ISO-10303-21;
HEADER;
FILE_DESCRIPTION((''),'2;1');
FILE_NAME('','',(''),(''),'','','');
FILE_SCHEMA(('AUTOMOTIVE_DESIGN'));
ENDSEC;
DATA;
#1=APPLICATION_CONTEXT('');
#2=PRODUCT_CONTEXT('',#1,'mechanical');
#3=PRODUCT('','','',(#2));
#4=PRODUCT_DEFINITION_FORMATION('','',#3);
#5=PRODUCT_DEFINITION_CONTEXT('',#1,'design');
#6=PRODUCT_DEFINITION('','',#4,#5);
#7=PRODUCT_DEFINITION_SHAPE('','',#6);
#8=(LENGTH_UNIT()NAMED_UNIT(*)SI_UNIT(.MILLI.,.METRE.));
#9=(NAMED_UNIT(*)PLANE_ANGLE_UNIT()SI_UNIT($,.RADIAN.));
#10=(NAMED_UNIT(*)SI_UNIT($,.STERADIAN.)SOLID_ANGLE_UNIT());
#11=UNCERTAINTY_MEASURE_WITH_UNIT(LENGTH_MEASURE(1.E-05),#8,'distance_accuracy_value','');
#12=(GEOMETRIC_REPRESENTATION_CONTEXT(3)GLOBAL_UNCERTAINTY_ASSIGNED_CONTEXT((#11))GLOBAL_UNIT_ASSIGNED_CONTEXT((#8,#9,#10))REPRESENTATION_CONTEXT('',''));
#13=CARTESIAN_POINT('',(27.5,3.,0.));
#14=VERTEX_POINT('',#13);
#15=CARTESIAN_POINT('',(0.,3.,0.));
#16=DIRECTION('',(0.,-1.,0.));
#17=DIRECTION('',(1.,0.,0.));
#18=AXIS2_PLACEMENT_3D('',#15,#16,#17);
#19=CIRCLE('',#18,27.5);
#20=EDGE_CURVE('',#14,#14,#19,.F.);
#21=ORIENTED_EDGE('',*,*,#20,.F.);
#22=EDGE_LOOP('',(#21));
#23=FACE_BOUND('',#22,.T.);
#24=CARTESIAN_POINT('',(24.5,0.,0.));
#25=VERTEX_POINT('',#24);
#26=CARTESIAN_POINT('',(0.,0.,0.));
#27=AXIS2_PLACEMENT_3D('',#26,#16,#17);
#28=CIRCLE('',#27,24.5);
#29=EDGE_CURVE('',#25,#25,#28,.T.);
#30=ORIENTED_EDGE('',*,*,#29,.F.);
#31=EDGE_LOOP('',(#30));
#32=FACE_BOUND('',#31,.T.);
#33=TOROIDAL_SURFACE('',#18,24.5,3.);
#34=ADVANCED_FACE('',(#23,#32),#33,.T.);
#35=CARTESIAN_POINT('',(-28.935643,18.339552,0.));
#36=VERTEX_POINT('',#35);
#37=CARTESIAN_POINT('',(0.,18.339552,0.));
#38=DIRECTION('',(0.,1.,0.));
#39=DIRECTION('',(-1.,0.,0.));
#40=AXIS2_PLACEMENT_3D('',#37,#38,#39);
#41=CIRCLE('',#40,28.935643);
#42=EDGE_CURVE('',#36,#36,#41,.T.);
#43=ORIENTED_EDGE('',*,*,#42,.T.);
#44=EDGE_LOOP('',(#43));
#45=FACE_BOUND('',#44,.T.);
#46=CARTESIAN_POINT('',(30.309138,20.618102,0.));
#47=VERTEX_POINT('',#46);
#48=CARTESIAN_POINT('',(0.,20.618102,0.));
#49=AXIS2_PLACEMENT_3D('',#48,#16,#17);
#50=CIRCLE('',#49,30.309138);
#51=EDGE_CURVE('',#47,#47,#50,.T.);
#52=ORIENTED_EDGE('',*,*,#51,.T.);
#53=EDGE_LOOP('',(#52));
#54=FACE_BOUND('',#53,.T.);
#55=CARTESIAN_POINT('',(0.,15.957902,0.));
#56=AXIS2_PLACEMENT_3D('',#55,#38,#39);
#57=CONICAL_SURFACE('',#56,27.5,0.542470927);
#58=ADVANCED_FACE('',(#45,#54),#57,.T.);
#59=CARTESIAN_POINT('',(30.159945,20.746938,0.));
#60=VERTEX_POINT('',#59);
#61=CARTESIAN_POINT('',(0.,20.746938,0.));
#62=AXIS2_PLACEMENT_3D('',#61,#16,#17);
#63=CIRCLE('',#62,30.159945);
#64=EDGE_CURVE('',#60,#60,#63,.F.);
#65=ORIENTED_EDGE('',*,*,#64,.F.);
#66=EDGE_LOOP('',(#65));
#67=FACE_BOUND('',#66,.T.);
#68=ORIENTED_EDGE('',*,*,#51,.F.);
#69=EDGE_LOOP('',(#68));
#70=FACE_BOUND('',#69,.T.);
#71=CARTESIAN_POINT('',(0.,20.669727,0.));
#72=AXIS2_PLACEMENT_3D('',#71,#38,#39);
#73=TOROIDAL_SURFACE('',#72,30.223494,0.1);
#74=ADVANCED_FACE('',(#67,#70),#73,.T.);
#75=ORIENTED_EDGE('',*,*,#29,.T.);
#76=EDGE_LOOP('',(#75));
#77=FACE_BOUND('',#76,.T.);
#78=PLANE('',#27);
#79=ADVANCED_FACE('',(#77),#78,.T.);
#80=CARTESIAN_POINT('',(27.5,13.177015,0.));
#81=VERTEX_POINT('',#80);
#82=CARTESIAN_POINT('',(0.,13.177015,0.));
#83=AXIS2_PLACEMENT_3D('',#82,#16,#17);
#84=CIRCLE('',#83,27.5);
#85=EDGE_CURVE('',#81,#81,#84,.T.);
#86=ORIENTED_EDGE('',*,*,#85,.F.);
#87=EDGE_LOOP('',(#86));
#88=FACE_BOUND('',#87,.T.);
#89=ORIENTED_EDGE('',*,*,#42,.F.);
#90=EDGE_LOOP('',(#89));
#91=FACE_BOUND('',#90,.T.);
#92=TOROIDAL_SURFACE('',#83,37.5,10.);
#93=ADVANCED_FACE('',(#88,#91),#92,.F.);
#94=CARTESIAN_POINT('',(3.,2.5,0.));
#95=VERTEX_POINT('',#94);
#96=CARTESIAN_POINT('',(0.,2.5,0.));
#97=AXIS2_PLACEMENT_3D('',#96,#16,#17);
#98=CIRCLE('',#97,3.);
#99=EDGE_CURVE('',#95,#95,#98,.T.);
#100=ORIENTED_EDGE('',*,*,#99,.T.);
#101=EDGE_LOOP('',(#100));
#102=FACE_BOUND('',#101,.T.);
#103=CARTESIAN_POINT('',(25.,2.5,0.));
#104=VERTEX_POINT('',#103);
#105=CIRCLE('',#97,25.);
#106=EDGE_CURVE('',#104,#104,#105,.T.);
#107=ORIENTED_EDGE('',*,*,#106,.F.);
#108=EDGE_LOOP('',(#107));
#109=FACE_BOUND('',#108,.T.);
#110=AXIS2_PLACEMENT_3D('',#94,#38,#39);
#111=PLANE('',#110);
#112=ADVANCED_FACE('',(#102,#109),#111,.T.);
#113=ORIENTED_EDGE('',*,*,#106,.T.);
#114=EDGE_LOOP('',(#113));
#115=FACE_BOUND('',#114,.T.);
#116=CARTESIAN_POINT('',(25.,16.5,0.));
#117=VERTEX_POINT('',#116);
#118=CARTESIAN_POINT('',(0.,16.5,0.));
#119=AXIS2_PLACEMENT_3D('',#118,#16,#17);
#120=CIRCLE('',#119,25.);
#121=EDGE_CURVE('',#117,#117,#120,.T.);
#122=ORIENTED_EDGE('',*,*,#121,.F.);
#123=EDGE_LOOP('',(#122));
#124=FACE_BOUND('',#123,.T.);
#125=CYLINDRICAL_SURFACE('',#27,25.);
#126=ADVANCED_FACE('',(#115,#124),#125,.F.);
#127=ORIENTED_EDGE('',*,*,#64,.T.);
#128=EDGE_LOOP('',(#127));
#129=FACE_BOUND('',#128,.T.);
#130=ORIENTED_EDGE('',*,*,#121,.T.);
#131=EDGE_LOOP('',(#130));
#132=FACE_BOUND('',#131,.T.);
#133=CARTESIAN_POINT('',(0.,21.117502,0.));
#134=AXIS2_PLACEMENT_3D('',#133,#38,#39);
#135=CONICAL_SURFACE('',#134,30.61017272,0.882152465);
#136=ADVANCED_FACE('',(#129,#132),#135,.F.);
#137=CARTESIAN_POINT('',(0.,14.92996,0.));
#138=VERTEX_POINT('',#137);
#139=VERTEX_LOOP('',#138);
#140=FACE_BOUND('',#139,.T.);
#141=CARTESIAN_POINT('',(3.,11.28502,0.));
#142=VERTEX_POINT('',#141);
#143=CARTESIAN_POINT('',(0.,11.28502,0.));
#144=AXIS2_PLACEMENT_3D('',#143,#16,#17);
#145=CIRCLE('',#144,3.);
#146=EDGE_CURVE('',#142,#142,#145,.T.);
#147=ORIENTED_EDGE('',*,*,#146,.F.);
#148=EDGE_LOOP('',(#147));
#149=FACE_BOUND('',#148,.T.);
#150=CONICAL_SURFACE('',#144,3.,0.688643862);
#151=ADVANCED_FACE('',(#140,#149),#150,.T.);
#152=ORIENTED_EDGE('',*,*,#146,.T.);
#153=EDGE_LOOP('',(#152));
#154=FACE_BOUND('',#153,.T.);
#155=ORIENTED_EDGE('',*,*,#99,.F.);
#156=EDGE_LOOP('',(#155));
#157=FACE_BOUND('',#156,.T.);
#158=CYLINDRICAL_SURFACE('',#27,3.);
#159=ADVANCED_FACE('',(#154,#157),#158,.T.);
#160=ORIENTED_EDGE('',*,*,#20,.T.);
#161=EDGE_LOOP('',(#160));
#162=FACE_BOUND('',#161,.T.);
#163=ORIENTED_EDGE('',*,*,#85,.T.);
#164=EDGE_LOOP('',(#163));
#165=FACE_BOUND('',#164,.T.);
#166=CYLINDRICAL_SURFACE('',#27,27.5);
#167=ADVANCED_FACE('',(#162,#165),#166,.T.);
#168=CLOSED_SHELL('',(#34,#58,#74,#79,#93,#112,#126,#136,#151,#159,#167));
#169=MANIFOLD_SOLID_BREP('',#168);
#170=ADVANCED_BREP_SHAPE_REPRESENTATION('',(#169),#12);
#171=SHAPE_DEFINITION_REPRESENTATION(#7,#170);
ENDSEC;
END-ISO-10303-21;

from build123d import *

# Parameters (mm, degrees)
FILLET1_R = 10
FILLET2_R = 3
FILLET3_R = 0.1


with BuildPart() as part:
    # Sketch1 → Revolve1 (revolve)
    with BuildSketch(Plane.XY):
        Polygon((0, 0), (0, 14.929960222), (3, 11.285019889), (3, 2.5), (25, 2.5), (25, 16.5), (30.61017272, 21.117501694), (27.5, 15.957901724), (27.5, 0), (11.962132927, 0), align=None)
    revolve(axis=Axis((0, 0, 0), (0, 1, 0)))

    # Fillet1
    fillet1_edges = [part.edges().sort_by_distance(p)[0] for p in [
        (-27.5, 15.957901724, 0),
    ]]
    fillet(fillet1_edges, radius=FILLET1_R)

    # Fillet2
    fillet2_edges = [part.edges().sort_by_distance(p)[0] for p in [
        (-27.5, 0, 0),
    ]]
    fillet(fillet2_edges, radius=FILLET2_R)

    # Fillet3
    fillet3_edges = [part.edges().sort_by_distance(p)[0] for p in [
        (-30.61017272, 21.117501694, 0),
    ]]
    fillet(fillet3_edges, radius=FILLET3_R)


solid = part.part
